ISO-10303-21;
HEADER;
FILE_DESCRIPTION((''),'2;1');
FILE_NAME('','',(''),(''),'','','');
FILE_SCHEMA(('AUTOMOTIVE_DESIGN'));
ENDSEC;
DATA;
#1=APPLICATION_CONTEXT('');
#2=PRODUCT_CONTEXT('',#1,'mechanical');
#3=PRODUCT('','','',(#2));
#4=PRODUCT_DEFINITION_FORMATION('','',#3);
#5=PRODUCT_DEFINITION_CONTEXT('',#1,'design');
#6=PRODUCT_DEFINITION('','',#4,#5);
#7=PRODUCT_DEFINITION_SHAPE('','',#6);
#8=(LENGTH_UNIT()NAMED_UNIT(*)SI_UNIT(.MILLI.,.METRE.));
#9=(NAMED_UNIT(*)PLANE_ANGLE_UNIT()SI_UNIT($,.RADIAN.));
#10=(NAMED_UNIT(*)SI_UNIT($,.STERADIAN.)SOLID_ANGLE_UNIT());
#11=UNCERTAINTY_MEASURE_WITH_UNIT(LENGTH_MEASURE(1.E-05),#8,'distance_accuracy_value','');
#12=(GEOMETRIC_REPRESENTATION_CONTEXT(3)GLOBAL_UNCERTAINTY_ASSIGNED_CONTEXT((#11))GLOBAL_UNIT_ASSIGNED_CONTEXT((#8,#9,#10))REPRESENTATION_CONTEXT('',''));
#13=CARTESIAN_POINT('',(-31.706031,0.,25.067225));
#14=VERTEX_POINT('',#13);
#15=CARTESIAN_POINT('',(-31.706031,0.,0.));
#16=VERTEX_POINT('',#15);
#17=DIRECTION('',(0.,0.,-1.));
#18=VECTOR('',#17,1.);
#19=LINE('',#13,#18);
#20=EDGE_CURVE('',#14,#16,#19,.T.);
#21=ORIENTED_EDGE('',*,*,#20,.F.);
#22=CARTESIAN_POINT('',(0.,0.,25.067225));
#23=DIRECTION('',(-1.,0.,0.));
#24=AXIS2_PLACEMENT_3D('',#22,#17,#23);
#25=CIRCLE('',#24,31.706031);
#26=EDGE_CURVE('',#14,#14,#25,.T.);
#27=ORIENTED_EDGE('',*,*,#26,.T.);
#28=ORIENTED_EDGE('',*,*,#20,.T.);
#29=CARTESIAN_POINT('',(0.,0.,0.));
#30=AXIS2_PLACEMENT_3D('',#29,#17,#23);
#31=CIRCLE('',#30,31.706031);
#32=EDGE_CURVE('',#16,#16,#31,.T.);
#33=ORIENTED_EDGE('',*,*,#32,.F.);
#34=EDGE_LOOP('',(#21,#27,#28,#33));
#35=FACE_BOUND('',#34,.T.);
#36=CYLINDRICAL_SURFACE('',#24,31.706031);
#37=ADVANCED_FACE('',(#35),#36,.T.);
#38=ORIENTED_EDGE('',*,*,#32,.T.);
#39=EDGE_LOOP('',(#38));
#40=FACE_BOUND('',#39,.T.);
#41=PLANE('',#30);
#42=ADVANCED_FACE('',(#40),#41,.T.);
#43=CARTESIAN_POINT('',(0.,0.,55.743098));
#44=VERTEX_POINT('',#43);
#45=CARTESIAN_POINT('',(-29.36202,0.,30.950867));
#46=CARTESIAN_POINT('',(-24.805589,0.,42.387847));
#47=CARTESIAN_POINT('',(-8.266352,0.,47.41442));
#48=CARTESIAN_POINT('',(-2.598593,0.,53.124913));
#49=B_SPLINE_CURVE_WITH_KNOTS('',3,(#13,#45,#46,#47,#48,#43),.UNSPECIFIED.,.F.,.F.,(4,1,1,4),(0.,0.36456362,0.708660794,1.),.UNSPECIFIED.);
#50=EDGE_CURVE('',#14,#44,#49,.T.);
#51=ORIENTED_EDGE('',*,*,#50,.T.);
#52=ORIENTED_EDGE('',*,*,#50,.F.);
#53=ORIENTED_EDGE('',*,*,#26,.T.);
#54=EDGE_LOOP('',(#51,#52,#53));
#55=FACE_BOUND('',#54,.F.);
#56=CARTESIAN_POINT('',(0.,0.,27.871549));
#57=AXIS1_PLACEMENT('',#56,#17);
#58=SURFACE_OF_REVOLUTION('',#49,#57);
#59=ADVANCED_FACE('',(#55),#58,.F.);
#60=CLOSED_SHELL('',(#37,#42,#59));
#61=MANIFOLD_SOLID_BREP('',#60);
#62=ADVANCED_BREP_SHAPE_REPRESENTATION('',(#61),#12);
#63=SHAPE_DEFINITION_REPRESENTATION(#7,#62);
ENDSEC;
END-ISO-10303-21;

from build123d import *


with BuildPart() as f1:
    # F0 (on Front) → F1 (revolve)
    with BuildSketch(Plane.XZ):
        with BuildLine():
            Line((-31.7060314119, 0), (0, 0))
            Line((0, 0), (0, 55.743098259))
            add(Edge.make_bspline(
                [(-31.7060314119, 25.0672250986), (-29.3620200651, 30.9508674328), (-24.8055891649, 42.3878469398), (-8.2663521684, 47.4144203021), (-2.5985929188, 53.1249127376), (0, 55.743098259)],
                knots=[0, 0, 0, 0, 0.3645636199, 0.7086607943, 1, 1, 1, 1], degree=3))
            Line((-31.7060314119, 25.0672250986), (-31.7060314119, 0))
        make_face()
    revolve(axis=Axis((0, 0, 27.8715491295), (0, 0, -1)))


solid = f1.part
